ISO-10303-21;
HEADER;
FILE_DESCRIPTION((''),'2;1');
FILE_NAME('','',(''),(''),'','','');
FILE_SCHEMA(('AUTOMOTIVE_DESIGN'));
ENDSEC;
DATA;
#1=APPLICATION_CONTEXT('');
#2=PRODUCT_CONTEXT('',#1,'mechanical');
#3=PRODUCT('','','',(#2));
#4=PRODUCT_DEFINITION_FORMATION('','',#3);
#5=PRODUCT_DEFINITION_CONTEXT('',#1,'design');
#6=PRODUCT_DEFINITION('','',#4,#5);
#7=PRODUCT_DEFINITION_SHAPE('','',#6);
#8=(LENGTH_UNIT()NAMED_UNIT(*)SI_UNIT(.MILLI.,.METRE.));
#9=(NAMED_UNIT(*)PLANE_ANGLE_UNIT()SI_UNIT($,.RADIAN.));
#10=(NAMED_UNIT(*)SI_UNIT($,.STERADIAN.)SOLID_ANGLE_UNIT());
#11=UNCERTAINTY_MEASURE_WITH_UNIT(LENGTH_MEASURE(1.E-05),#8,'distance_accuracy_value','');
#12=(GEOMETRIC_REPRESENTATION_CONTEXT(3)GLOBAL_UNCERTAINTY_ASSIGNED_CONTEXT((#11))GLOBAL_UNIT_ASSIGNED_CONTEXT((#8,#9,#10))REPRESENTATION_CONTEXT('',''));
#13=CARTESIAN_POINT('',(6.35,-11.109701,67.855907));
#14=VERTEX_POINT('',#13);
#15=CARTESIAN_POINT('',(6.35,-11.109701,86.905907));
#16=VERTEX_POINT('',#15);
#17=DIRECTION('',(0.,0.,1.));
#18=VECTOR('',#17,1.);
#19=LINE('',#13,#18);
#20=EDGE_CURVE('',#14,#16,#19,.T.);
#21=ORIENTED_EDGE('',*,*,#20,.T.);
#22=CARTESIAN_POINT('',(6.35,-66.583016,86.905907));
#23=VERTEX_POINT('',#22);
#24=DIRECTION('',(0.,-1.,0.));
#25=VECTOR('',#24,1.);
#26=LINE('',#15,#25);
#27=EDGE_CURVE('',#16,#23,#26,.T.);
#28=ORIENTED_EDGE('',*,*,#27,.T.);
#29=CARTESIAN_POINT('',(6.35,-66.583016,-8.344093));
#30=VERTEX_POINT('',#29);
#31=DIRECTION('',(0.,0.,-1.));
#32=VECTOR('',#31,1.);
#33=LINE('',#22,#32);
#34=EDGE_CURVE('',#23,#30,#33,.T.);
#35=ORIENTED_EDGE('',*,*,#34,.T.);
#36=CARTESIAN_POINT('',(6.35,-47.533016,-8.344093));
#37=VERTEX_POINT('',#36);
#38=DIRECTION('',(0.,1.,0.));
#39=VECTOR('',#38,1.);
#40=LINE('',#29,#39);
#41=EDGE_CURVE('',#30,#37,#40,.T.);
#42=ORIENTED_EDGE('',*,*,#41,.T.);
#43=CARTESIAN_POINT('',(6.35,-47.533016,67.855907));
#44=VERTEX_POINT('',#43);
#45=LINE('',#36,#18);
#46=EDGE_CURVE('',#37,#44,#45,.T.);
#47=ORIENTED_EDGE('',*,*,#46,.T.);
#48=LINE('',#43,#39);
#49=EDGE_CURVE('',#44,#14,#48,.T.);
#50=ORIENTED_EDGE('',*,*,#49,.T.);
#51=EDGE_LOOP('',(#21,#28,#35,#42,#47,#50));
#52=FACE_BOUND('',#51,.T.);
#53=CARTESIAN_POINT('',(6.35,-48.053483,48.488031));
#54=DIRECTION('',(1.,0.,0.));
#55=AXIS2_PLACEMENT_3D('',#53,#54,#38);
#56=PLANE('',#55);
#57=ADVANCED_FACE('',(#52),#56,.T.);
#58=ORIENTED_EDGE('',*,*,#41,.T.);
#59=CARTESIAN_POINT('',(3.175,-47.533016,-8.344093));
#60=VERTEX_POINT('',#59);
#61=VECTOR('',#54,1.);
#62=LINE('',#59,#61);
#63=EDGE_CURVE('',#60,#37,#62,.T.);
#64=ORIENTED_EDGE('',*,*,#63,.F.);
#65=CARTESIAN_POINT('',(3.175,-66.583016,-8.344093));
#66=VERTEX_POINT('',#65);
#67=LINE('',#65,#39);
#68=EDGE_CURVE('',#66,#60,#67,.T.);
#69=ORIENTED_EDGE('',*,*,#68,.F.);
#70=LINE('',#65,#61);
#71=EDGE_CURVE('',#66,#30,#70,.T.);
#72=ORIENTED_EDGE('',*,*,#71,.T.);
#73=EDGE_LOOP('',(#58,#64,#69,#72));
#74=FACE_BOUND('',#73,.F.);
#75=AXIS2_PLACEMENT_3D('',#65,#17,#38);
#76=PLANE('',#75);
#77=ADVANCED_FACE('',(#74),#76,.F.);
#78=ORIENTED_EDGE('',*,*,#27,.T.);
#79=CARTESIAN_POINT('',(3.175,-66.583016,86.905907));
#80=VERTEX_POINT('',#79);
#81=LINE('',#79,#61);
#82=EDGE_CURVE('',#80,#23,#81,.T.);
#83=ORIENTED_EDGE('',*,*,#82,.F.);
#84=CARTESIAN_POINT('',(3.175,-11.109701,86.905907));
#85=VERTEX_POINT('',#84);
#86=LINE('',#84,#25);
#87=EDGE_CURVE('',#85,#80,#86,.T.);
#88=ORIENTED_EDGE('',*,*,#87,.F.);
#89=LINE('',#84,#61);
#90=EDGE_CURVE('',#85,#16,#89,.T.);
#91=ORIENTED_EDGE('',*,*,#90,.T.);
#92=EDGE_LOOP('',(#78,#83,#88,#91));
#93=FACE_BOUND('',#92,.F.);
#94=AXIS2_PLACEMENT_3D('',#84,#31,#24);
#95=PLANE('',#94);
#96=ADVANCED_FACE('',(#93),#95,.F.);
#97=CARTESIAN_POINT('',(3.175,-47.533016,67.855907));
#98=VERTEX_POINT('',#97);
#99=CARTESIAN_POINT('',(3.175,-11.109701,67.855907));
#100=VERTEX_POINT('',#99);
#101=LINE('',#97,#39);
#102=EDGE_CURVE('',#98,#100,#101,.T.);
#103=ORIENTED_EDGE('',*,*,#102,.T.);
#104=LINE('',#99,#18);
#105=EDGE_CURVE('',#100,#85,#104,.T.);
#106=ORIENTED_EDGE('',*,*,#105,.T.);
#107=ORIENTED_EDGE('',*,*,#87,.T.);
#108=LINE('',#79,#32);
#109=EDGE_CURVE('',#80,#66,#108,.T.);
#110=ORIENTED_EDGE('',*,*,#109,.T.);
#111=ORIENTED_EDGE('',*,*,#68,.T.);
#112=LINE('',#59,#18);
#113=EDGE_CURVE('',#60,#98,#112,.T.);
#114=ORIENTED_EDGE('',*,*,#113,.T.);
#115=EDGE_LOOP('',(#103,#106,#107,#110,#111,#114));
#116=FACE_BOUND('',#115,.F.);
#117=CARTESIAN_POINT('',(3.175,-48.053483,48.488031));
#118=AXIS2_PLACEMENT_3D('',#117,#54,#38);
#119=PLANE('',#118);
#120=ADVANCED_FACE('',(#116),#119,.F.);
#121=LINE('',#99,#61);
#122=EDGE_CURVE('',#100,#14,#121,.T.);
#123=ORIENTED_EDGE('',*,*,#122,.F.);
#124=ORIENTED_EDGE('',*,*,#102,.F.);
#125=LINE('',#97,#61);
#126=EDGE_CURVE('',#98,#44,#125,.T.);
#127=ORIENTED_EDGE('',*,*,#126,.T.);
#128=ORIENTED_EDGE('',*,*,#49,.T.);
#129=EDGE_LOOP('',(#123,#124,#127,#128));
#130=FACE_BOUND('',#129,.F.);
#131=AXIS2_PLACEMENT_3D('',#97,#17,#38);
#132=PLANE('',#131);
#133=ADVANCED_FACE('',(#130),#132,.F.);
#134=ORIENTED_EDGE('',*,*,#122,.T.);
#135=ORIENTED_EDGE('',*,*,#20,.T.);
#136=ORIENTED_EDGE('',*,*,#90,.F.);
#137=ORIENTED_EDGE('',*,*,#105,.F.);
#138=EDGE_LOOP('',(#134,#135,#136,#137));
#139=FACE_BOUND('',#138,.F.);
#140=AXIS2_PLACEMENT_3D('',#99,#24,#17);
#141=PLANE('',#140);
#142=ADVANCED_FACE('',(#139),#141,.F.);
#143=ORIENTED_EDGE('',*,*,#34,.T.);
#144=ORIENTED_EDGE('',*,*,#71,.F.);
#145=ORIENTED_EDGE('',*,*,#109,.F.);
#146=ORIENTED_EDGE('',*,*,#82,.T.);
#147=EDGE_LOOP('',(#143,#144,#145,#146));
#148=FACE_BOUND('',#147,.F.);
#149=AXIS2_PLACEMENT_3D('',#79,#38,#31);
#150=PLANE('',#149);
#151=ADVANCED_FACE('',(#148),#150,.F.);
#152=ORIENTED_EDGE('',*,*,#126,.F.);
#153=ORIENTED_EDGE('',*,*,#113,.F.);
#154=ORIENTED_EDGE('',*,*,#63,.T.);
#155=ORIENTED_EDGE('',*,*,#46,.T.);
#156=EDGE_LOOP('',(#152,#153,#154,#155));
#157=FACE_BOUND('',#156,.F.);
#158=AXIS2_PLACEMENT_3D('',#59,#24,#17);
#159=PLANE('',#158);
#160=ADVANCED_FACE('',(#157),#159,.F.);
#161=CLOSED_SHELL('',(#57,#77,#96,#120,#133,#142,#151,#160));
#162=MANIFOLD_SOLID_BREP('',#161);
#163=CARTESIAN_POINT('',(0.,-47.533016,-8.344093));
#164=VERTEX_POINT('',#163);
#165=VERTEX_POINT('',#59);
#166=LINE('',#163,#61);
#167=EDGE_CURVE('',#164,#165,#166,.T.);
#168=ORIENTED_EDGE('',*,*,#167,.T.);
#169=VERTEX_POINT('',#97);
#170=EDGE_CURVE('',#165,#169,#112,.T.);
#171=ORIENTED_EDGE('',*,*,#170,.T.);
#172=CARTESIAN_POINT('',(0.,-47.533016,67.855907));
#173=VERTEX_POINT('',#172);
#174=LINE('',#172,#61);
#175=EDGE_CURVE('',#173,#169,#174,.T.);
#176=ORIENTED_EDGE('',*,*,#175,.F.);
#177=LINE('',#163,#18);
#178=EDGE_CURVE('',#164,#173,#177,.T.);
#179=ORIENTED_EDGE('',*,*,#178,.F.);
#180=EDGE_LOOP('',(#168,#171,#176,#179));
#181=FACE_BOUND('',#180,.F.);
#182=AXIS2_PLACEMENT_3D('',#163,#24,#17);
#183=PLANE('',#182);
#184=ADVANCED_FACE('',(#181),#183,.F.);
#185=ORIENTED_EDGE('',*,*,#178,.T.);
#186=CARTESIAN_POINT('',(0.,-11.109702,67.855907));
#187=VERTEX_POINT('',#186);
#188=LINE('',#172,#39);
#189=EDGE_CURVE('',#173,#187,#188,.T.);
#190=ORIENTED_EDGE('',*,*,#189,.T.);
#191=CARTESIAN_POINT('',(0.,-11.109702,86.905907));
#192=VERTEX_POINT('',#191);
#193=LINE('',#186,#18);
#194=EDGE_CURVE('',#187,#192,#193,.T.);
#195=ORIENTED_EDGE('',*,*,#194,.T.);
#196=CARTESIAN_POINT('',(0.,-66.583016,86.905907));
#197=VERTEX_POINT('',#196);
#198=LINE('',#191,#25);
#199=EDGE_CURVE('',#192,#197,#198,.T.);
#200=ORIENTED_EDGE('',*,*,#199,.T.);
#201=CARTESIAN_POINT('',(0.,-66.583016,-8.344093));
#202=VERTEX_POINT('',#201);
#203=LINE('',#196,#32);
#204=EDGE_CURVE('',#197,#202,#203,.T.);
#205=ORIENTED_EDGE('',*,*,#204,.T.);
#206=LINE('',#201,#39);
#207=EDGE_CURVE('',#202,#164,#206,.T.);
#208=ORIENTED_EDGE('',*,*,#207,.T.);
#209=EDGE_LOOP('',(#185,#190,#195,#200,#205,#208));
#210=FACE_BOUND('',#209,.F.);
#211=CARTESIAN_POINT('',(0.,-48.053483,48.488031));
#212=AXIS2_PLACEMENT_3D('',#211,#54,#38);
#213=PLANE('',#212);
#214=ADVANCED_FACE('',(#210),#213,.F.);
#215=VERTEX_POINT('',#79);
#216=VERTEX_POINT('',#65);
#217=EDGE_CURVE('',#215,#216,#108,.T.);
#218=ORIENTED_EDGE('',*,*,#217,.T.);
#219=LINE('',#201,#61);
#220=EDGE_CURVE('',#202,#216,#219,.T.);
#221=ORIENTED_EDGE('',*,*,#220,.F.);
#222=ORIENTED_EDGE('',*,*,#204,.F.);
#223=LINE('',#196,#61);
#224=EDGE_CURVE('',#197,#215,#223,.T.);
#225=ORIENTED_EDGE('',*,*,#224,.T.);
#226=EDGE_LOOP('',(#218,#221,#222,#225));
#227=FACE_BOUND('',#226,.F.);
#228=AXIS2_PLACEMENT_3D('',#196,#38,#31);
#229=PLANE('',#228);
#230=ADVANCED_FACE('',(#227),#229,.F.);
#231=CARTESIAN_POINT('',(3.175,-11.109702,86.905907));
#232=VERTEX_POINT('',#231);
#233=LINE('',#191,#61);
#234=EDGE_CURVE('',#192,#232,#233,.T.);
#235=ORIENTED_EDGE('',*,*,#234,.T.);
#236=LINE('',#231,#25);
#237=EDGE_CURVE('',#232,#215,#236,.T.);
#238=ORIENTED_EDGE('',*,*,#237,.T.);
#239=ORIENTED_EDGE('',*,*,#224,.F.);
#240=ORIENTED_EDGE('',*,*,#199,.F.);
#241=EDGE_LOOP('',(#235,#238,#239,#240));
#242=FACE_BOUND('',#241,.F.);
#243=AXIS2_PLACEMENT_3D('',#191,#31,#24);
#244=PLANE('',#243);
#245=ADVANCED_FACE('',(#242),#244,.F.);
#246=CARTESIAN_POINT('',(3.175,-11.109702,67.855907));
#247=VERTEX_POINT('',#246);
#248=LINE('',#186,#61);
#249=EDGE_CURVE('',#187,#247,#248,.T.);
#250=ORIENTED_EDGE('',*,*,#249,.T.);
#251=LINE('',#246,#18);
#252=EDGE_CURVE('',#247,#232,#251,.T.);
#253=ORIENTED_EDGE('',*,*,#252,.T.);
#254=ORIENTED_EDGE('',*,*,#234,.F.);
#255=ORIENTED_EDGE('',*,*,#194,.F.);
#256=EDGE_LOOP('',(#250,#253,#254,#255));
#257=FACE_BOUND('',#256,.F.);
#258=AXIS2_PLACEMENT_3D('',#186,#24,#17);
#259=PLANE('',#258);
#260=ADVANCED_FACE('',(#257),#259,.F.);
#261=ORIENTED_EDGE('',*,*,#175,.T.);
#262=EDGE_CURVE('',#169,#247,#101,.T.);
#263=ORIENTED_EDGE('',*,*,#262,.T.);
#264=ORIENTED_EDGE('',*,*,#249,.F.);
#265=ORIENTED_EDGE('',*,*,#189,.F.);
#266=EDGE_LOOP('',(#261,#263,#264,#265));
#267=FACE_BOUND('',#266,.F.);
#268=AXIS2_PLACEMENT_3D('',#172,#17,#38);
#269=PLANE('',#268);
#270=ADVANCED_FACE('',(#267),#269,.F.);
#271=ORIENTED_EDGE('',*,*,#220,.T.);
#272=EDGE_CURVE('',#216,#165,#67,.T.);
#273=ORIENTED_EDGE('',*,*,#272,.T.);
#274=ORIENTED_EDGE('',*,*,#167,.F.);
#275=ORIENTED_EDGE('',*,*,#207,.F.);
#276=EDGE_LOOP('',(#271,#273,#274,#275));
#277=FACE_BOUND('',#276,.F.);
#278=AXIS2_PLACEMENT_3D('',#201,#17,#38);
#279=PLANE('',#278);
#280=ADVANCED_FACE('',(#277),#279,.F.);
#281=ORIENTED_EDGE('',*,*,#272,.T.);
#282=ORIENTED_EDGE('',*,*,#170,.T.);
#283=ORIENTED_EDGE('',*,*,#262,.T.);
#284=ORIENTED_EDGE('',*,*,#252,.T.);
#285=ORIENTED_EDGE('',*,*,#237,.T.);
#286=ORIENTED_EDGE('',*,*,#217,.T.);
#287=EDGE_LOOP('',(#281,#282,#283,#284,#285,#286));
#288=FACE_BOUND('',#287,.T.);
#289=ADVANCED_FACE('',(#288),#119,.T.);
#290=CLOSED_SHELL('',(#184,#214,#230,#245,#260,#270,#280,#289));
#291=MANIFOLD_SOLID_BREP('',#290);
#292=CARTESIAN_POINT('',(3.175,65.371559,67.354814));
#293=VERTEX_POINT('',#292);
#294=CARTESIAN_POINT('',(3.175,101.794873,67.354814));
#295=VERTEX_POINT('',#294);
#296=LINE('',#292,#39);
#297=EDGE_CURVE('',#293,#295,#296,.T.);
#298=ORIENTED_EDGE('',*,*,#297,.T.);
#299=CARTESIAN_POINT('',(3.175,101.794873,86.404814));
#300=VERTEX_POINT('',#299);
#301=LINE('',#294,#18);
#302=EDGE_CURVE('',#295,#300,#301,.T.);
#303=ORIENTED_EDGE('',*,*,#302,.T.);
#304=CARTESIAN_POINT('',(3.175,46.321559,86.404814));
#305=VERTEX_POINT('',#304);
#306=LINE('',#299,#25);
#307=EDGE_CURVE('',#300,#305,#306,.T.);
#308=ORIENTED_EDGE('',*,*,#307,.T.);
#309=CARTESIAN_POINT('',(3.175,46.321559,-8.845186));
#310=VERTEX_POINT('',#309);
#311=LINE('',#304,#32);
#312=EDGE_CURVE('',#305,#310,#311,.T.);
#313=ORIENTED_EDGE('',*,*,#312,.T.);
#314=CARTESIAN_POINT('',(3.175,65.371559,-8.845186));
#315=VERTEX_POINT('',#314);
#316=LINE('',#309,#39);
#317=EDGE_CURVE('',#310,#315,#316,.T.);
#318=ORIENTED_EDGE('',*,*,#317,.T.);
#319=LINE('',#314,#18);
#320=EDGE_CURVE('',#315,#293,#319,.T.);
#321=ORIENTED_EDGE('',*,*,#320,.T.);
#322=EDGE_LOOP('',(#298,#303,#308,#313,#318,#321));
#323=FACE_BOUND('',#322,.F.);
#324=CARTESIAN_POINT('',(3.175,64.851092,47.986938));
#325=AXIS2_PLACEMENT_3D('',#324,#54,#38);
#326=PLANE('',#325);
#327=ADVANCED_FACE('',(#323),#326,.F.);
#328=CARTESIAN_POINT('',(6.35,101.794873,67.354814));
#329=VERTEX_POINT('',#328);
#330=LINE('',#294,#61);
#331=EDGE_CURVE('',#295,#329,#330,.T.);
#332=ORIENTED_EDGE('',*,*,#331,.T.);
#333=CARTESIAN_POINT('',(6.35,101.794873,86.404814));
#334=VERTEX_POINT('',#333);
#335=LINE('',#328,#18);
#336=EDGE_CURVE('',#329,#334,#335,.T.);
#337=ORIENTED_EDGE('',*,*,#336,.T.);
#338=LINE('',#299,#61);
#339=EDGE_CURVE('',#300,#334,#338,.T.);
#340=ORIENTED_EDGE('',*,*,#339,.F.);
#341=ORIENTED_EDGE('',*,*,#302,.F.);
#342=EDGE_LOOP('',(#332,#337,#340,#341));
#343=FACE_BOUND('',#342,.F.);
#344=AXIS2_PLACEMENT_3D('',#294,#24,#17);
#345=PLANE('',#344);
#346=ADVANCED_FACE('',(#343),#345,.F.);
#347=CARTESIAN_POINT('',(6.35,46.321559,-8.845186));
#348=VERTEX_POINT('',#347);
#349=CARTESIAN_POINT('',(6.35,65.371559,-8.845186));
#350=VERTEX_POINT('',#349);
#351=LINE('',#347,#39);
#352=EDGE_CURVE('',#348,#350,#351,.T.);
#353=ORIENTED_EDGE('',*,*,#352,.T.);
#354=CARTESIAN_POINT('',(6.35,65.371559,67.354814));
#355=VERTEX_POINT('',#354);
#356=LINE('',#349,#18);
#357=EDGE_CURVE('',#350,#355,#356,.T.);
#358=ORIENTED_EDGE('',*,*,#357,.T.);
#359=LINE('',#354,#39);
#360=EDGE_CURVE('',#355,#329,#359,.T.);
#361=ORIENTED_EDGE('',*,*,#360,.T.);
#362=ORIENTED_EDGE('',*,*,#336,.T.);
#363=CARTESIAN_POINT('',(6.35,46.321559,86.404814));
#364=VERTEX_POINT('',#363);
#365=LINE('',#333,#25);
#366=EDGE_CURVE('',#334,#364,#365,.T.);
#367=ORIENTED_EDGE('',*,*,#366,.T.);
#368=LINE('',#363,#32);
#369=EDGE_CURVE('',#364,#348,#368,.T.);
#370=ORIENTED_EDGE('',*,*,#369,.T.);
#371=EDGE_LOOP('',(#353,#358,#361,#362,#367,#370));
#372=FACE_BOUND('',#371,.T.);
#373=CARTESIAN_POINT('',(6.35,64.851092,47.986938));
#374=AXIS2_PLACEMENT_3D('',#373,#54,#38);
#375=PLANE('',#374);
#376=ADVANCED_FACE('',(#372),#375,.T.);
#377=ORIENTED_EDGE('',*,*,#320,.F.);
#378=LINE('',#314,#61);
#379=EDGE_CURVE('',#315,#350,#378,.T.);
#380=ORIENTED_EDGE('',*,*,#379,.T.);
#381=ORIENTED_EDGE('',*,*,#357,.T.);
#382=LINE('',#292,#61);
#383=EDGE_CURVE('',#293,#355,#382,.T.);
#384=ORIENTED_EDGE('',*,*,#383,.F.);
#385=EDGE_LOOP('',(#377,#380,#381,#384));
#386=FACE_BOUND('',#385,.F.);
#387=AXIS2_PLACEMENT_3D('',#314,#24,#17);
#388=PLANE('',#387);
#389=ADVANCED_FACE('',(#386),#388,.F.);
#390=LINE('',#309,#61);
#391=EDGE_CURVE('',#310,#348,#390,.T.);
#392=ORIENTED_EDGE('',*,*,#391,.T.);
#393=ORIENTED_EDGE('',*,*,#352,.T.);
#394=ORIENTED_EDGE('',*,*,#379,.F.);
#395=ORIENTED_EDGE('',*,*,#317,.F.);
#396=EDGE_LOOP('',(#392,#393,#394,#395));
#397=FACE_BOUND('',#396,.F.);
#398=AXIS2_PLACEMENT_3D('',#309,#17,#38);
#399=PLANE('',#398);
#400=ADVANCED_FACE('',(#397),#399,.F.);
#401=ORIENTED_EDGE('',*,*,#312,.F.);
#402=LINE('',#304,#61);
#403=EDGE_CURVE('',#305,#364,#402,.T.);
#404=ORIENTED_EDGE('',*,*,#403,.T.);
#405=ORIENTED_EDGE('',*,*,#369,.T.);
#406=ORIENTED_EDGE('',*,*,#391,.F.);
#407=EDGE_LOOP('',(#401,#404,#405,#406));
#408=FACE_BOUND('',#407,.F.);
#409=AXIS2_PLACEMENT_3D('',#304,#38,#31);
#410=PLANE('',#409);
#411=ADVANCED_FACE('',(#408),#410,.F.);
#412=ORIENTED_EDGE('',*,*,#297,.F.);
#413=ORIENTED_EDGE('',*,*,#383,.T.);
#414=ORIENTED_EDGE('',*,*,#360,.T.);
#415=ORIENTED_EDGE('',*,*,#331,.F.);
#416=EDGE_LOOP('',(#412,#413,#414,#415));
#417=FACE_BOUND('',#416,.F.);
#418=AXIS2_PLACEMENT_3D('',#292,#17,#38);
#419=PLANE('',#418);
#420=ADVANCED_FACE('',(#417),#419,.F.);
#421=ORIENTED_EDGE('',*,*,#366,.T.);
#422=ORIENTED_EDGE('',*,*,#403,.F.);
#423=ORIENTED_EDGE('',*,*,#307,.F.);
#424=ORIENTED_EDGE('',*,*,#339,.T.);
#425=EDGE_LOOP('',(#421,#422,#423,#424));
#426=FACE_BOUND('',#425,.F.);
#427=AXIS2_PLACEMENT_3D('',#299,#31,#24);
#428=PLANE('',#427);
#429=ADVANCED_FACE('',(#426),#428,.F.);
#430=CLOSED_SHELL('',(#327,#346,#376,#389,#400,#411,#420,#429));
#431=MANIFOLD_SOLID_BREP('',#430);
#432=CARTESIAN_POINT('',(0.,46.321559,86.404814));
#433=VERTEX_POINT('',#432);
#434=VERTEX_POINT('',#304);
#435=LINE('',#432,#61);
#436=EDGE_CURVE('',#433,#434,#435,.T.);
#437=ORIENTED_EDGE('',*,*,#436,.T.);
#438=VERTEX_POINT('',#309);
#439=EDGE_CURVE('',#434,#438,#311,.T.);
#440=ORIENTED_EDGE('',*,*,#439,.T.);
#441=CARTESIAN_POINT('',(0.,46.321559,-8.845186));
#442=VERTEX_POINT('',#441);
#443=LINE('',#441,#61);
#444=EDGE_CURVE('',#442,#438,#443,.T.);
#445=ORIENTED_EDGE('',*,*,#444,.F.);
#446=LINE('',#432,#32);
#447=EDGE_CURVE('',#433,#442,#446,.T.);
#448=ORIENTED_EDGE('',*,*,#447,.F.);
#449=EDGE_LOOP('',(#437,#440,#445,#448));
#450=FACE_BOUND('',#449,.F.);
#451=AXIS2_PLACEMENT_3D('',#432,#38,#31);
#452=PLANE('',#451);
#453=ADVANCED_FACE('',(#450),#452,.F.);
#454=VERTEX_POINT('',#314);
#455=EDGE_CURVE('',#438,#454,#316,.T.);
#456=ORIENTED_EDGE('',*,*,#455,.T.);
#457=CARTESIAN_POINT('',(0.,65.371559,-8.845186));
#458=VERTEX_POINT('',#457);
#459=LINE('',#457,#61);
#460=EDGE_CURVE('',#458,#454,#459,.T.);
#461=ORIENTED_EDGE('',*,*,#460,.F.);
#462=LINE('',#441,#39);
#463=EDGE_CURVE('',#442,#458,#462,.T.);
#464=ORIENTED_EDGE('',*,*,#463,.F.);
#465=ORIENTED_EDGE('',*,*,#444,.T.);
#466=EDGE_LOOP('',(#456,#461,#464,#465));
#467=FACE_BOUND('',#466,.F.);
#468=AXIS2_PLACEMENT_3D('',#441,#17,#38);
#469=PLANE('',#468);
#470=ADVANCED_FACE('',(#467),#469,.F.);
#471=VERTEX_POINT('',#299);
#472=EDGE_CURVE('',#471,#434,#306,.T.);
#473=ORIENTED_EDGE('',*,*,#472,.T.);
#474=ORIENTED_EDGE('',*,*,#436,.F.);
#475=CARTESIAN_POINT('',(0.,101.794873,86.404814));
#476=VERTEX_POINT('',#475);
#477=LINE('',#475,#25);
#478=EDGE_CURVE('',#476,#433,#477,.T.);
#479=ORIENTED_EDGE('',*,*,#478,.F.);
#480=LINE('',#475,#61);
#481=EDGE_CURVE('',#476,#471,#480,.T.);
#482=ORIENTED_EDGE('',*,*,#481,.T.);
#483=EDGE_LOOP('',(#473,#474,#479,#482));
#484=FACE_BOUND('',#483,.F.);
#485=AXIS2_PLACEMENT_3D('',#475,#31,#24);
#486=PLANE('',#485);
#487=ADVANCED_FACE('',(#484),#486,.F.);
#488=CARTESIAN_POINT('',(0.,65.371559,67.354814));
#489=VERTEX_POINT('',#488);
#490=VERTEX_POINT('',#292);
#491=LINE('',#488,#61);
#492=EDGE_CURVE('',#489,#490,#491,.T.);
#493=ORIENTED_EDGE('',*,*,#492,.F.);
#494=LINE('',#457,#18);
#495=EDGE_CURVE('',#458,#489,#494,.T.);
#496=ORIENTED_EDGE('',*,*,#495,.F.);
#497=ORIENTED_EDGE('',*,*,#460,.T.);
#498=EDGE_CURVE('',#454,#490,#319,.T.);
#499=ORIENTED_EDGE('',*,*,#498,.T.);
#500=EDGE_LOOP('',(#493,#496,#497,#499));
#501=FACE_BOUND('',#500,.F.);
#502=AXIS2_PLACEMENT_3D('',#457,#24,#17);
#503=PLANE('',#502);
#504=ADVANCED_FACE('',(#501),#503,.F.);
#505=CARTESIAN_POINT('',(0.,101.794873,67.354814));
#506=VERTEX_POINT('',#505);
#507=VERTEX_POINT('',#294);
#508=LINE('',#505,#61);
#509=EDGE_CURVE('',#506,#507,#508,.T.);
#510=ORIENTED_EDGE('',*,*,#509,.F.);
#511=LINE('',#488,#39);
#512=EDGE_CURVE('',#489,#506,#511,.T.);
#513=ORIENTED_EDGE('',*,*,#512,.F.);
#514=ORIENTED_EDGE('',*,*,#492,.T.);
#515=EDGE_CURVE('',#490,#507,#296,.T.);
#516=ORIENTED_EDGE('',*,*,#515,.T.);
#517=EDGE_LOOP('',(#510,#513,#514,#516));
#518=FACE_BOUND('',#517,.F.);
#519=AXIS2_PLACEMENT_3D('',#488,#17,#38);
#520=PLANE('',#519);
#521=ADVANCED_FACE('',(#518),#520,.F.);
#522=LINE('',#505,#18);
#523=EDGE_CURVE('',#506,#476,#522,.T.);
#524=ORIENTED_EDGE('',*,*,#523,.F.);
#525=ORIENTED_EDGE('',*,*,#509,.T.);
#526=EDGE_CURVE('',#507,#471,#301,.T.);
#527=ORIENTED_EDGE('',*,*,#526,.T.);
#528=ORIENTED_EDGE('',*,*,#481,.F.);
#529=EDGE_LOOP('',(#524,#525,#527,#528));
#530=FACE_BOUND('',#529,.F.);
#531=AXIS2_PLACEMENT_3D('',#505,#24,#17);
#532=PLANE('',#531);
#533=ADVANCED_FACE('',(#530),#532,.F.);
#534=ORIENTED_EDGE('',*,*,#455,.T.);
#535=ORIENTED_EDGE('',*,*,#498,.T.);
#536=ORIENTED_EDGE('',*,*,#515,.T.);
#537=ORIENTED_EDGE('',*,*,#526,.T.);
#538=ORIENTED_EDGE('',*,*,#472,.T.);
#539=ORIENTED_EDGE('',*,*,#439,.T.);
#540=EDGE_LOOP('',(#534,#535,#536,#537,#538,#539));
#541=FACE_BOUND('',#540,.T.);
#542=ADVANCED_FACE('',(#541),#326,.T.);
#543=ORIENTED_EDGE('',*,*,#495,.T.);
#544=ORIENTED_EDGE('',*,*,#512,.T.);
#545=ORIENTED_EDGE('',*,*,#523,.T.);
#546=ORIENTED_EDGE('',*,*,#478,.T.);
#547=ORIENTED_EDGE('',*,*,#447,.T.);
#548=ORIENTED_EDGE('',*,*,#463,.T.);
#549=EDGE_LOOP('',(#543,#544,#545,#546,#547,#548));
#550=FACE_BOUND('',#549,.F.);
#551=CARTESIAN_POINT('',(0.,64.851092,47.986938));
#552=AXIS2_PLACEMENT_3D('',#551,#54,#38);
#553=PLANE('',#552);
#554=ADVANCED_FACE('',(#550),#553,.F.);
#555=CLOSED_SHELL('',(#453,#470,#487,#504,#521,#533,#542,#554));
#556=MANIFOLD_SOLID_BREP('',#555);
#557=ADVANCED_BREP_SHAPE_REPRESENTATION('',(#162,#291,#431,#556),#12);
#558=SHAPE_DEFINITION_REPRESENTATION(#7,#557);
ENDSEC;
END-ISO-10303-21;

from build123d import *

# Parameters (mm, degrees)
F1_DEPTH = 3.175
F2_DEPTH = 3.175


with BuildPart() as f1:
    # F0 (on Right) → F1 (new body)
    with BuildSketch(Plane.YZ):
        Polygon((-11.109702, 86.905907), (-42.859702, 86.905907), (-66.583016, 86.905907), (-66.583016, -8.344093), (-47.533016, -8.344093), (-47.533016, 67.855907), (-11.109702, 67.855907), align=None)
        Polygon((101.794873, 86.404814), (70.044873, 86.404814), (46.321559, 86.404814), (46.321559, -8.845186), (65.371559, -8.845186), (65.371559, 67.354814), (101.794873, 67.354814), align=None)
    extrude(amount=F1_DEPTH)


with BuildPart() as f2:
    # F1_face (on face) → F2 (new body)
    with BuildSketch(Plane(origin=(3.175, -49.385535, 49.820083), x_dir=(0, 1, 0), z_dir=(1, 0, 0))):
        Polygon((38.275834, 18.035824), (38.275834, 37.085824), (-17.197481, 37.085824), (-17.197481, -58.164176), (1.852519, -58.164176), (1.852519, 18.035824), align=None)
        Polygon((151.180408, 36.584731), (95.707094, 36.584731), (95.707094, -58.665269), (114.757094, -58.665269), (114.757094, 17.534731), (151.180408, 17.534731), align=None)
    extrude(amount=F2_DEPTH)


solid = Compound([f1.part, f2.part])
